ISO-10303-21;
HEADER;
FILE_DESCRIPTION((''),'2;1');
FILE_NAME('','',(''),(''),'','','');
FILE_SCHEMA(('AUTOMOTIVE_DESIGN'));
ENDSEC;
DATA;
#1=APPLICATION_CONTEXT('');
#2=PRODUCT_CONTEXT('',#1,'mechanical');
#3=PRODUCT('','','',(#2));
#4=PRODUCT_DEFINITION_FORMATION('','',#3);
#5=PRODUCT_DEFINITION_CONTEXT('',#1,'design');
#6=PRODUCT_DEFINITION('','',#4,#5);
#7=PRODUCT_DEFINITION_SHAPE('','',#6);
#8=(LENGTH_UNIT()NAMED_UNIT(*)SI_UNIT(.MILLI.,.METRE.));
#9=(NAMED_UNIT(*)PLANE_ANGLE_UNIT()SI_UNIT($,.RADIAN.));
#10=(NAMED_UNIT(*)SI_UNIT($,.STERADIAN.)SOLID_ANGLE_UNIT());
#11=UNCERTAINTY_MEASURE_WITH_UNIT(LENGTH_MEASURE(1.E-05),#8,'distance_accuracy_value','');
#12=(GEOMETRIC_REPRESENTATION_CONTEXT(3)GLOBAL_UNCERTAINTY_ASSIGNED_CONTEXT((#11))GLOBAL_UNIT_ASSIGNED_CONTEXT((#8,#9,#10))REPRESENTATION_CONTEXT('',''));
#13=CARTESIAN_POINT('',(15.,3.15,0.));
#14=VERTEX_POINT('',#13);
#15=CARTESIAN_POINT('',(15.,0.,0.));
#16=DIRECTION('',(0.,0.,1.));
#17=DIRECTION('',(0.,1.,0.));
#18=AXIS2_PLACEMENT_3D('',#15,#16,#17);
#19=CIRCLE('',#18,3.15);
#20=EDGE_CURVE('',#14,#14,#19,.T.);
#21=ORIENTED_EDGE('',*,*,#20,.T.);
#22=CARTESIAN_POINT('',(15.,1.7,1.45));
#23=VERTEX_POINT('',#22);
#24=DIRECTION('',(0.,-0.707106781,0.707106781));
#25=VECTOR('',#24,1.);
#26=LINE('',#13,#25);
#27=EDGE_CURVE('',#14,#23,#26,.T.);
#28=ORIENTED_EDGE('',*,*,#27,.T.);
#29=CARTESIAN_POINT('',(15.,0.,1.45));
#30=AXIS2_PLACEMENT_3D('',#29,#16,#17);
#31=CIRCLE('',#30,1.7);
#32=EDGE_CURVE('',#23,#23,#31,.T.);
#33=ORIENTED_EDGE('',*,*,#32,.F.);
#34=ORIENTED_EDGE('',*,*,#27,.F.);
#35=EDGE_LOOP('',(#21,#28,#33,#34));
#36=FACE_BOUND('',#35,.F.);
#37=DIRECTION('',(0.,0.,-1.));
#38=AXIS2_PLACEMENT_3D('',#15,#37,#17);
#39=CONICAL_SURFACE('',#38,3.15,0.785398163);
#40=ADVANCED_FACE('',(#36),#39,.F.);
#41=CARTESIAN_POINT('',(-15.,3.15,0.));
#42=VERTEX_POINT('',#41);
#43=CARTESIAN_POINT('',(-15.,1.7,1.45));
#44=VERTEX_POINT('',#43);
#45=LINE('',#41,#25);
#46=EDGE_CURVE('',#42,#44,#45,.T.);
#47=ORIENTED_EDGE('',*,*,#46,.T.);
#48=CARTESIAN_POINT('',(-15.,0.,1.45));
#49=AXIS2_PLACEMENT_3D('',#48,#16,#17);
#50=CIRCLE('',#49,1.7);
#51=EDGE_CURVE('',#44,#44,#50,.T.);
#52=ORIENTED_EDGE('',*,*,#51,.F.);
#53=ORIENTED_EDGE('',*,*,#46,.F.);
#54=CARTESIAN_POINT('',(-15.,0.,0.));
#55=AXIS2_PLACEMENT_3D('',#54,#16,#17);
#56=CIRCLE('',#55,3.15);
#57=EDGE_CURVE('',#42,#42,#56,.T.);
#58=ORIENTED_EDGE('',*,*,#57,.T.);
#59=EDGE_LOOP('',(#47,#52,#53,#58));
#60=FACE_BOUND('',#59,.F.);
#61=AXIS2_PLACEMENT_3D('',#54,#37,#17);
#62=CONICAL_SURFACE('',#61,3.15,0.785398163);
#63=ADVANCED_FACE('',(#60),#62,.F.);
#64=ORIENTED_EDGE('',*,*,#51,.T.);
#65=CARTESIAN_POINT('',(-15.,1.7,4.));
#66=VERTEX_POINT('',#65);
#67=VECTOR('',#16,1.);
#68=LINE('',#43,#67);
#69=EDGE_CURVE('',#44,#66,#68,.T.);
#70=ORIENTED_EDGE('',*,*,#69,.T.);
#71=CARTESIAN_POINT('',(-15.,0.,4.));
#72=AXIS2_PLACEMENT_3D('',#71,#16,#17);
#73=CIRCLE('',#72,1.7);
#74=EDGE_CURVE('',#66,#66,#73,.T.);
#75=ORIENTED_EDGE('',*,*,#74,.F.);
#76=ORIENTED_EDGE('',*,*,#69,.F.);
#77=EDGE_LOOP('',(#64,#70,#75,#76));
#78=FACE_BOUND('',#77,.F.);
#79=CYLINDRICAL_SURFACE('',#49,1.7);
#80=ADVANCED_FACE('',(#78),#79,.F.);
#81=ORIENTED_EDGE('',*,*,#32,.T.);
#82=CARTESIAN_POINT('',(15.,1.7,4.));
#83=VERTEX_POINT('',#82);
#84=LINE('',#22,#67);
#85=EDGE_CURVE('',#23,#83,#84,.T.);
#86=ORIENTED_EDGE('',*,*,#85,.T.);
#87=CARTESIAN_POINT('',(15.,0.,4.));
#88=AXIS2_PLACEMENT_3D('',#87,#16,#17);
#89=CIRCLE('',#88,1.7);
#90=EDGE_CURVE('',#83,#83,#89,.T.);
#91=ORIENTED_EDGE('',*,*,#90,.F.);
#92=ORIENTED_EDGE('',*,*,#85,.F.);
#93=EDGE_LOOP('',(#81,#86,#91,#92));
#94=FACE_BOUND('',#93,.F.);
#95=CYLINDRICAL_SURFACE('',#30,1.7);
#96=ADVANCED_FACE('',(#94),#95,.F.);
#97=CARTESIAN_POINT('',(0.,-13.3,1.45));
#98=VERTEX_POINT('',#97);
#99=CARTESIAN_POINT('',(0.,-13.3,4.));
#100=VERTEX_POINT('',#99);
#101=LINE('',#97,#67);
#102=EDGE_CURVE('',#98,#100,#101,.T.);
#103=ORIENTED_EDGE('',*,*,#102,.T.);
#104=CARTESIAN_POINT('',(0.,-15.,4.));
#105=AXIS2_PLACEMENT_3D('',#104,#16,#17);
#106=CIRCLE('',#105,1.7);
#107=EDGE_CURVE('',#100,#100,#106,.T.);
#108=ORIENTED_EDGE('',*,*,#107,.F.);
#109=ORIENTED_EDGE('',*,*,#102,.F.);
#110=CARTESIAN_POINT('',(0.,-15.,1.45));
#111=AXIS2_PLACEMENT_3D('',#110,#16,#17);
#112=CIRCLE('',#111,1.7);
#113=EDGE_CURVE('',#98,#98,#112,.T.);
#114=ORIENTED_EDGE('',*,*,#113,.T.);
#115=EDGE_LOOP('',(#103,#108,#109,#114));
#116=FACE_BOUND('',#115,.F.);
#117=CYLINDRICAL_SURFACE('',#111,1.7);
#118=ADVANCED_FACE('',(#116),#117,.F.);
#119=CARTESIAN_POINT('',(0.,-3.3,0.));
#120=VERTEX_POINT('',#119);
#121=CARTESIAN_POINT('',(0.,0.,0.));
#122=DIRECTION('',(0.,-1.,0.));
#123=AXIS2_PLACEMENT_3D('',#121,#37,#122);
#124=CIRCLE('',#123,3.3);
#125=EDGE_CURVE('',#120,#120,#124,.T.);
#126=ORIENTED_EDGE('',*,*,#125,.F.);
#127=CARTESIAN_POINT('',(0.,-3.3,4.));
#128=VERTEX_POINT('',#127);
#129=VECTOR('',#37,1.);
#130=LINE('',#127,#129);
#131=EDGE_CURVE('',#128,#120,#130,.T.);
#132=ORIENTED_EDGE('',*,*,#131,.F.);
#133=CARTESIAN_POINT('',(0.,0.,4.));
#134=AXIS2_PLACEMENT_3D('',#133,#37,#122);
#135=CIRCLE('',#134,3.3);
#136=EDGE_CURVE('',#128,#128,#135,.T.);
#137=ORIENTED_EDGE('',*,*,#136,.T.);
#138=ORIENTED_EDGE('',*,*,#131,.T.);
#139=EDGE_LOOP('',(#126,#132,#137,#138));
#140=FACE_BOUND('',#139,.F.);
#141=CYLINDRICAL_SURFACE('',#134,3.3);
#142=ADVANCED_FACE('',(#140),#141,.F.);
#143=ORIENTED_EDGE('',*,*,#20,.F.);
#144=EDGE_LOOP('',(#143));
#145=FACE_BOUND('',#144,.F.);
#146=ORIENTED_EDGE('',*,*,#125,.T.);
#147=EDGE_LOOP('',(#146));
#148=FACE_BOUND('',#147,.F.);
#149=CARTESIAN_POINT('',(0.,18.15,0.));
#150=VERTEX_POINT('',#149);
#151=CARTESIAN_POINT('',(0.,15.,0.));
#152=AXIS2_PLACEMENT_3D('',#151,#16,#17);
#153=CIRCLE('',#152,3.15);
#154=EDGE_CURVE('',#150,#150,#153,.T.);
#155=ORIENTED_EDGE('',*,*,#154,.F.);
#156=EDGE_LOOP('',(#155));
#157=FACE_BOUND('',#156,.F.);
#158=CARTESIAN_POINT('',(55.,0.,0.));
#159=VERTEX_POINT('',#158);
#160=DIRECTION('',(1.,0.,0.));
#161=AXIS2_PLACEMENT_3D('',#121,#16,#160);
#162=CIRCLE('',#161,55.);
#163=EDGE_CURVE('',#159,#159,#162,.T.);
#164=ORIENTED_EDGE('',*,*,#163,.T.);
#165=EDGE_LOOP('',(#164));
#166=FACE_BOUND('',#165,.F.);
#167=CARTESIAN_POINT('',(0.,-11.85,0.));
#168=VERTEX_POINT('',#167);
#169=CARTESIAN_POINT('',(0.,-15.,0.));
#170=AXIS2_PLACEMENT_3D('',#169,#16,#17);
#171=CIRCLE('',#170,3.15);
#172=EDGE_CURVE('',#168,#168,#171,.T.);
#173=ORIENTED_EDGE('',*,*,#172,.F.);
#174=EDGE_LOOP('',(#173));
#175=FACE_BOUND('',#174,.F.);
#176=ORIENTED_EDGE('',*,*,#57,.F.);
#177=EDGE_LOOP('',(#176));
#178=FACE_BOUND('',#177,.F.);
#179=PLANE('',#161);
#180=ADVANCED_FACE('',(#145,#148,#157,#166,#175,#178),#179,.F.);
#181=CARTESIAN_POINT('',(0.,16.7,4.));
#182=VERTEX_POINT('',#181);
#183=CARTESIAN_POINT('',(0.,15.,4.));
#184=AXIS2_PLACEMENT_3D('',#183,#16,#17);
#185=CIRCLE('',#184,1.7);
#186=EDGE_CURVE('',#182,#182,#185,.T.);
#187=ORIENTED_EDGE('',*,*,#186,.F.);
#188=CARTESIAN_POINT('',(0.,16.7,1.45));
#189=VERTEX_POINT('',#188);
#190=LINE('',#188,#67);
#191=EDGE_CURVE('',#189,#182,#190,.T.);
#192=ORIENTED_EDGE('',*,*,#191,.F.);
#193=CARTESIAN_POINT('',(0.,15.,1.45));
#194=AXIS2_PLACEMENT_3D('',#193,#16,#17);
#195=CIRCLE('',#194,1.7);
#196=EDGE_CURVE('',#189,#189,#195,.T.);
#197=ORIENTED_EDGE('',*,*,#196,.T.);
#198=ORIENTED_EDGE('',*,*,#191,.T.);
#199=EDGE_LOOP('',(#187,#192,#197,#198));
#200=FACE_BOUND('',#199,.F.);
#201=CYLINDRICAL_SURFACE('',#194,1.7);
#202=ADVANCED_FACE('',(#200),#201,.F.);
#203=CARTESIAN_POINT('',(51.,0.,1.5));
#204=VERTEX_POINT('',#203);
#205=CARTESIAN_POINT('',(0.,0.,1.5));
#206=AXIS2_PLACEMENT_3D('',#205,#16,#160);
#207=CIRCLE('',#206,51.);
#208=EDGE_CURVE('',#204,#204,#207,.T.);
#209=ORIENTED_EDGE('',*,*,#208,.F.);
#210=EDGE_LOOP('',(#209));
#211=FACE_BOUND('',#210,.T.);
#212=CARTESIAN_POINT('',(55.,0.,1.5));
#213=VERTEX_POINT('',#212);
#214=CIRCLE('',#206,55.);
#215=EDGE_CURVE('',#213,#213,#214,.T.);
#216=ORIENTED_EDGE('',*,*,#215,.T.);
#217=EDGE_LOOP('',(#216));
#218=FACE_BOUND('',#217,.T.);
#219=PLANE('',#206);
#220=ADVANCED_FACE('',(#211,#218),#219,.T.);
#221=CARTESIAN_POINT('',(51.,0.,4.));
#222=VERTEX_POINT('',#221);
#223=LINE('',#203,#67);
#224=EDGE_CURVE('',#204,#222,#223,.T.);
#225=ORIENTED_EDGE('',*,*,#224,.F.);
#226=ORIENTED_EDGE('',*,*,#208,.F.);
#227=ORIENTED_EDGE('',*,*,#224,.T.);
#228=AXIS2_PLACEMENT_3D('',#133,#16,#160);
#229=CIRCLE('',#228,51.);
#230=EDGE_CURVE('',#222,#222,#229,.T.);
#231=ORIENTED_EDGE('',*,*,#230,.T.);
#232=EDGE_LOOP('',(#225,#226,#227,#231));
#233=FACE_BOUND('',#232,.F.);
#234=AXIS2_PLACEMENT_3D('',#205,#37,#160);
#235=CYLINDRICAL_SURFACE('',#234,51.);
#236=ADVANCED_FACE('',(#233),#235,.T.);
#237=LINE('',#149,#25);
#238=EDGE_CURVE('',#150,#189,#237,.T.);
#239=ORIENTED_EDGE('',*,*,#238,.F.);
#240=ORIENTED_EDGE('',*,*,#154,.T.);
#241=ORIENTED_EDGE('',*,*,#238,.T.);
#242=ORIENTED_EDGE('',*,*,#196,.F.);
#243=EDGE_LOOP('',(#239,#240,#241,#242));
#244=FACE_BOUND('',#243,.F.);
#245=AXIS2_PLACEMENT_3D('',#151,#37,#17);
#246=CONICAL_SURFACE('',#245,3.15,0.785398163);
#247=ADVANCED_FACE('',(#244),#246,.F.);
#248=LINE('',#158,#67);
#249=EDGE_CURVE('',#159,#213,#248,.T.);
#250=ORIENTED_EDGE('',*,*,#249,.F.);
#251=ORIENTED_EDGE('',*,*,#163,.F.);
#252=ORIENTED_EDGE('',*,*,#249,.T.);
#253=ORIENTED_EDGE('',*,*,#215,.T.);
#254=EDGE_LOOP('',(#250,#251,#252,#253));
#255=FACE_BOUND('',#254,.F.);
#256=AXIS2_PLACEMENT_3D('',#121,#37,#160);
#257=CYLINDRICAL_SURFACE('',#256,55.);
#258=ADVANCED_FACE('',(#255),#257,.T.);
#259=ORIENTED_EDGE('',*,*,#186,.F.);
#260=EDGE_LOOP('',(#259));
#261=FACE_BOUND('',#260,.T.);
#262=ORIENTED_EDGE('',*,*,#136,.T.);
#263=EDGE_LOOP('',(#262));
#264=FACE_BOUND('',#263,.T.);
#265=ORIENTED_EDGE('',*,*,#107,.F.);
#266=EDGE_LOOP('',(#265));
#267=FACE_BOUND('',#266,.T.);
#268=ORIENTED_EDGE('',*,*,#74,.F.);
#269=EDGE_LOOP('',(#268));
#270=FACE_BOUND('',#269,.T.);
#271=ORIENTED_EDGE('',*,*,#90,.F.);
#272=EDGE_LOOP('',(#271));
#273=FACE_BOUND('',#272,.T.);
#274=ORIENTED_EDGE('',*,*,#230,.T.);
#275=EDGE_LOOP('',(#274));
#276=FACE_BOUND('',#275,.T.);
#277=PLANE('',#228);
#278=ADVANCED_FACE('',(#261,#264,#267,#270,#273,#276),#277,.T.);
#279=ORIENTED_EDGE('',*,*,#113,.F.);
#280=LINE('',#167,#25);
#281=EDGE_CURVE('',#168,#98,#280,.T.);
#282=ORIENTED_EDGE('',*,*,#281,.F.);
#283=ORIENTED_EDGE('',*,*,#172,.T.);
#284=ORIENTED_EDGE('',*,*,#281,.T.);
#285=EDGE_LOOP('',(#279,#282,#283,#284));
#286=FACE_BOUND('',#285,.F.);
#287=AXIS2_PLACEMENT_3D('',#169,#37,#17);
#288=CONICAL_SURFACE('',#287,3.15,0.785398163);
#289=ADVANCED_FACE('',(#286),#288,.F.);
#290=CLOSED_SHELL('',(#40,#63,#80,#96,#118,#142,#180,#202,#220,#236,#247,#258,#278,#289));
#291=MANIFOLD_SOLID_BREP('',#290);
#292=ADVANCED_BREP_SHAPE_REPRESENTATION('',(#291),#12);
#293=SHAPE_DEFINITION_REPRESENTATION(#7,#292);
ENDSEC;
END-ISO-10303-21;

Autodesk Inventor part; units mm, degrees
ref_plane "YZ Plane" through (0, 0, 0) normal (1, 0, 0) x (0, 1, 0)
ref_plane "XZ Plane" through (0, 0, 0) normal (0, 1, 0) x (-1, 0, 0)
ref_plane "XY Plane" through (0, 0, 0) normal (0, 0, 1) x (1, 0, 0)
sketch "Sketch1" plane through (0, 0, 0) normal (0, 0, 1) x (1, 0, 0)
  circle A0 centre (0, 0) radius 55
  dimension "d0" = 110
extrude "Extrusion1" add sketch "Sketch1" along normal blind 1.5
sketch "Sketch2" plane through (0, 0, 1.5) normal (0, 0, 1) x (1, 0, 0)
  circle A0 centre (0, 0) radius 51
  dimension "d3" = 102
extrude "Extrusion2" add sketch "Sketch2" along normal blind 2.5
sketch "Sketch4" plane through (0, 0, 4) normal (0, 0, 1) x (1, 0, 0)
  point P0 (0, 0)
  point P1 (0, 0)
hole "Hole1" at (0, 0, 4) direction (0, 0, -1) diameter 6.6 end through all clearance for "Hex Head Cap Screw DIN EN 24017" size "M6" standard "DIN"
sketch "Sketch5" plane through (0, 0, 0) normal (0, 0, -1) x (-1, 0, 0)
  circle A0 centre (0, 0) radius 15 construction
  point P0 (0, -15)
  point P1 (-15, 0)
  point P2 (0, 15)
  point P3 (15, 0)
  dimension "d13" = 30
hole "Hole2" at (0, -15, 0) at (15, 0, 0) at (0, 15, 0) at (-15, 0, 0) direction (0, 0, 1) diameter 3.4 depth 8 tip angle 118 countersink diameter 6.3 countersink angle 90 clearance for "Countersunk Flat Head Screw DIN EN ISO 2009" size "M3" standard "DIN"
properties part number "Seconday_End_Top" material "Polycarbonate, Clear"
